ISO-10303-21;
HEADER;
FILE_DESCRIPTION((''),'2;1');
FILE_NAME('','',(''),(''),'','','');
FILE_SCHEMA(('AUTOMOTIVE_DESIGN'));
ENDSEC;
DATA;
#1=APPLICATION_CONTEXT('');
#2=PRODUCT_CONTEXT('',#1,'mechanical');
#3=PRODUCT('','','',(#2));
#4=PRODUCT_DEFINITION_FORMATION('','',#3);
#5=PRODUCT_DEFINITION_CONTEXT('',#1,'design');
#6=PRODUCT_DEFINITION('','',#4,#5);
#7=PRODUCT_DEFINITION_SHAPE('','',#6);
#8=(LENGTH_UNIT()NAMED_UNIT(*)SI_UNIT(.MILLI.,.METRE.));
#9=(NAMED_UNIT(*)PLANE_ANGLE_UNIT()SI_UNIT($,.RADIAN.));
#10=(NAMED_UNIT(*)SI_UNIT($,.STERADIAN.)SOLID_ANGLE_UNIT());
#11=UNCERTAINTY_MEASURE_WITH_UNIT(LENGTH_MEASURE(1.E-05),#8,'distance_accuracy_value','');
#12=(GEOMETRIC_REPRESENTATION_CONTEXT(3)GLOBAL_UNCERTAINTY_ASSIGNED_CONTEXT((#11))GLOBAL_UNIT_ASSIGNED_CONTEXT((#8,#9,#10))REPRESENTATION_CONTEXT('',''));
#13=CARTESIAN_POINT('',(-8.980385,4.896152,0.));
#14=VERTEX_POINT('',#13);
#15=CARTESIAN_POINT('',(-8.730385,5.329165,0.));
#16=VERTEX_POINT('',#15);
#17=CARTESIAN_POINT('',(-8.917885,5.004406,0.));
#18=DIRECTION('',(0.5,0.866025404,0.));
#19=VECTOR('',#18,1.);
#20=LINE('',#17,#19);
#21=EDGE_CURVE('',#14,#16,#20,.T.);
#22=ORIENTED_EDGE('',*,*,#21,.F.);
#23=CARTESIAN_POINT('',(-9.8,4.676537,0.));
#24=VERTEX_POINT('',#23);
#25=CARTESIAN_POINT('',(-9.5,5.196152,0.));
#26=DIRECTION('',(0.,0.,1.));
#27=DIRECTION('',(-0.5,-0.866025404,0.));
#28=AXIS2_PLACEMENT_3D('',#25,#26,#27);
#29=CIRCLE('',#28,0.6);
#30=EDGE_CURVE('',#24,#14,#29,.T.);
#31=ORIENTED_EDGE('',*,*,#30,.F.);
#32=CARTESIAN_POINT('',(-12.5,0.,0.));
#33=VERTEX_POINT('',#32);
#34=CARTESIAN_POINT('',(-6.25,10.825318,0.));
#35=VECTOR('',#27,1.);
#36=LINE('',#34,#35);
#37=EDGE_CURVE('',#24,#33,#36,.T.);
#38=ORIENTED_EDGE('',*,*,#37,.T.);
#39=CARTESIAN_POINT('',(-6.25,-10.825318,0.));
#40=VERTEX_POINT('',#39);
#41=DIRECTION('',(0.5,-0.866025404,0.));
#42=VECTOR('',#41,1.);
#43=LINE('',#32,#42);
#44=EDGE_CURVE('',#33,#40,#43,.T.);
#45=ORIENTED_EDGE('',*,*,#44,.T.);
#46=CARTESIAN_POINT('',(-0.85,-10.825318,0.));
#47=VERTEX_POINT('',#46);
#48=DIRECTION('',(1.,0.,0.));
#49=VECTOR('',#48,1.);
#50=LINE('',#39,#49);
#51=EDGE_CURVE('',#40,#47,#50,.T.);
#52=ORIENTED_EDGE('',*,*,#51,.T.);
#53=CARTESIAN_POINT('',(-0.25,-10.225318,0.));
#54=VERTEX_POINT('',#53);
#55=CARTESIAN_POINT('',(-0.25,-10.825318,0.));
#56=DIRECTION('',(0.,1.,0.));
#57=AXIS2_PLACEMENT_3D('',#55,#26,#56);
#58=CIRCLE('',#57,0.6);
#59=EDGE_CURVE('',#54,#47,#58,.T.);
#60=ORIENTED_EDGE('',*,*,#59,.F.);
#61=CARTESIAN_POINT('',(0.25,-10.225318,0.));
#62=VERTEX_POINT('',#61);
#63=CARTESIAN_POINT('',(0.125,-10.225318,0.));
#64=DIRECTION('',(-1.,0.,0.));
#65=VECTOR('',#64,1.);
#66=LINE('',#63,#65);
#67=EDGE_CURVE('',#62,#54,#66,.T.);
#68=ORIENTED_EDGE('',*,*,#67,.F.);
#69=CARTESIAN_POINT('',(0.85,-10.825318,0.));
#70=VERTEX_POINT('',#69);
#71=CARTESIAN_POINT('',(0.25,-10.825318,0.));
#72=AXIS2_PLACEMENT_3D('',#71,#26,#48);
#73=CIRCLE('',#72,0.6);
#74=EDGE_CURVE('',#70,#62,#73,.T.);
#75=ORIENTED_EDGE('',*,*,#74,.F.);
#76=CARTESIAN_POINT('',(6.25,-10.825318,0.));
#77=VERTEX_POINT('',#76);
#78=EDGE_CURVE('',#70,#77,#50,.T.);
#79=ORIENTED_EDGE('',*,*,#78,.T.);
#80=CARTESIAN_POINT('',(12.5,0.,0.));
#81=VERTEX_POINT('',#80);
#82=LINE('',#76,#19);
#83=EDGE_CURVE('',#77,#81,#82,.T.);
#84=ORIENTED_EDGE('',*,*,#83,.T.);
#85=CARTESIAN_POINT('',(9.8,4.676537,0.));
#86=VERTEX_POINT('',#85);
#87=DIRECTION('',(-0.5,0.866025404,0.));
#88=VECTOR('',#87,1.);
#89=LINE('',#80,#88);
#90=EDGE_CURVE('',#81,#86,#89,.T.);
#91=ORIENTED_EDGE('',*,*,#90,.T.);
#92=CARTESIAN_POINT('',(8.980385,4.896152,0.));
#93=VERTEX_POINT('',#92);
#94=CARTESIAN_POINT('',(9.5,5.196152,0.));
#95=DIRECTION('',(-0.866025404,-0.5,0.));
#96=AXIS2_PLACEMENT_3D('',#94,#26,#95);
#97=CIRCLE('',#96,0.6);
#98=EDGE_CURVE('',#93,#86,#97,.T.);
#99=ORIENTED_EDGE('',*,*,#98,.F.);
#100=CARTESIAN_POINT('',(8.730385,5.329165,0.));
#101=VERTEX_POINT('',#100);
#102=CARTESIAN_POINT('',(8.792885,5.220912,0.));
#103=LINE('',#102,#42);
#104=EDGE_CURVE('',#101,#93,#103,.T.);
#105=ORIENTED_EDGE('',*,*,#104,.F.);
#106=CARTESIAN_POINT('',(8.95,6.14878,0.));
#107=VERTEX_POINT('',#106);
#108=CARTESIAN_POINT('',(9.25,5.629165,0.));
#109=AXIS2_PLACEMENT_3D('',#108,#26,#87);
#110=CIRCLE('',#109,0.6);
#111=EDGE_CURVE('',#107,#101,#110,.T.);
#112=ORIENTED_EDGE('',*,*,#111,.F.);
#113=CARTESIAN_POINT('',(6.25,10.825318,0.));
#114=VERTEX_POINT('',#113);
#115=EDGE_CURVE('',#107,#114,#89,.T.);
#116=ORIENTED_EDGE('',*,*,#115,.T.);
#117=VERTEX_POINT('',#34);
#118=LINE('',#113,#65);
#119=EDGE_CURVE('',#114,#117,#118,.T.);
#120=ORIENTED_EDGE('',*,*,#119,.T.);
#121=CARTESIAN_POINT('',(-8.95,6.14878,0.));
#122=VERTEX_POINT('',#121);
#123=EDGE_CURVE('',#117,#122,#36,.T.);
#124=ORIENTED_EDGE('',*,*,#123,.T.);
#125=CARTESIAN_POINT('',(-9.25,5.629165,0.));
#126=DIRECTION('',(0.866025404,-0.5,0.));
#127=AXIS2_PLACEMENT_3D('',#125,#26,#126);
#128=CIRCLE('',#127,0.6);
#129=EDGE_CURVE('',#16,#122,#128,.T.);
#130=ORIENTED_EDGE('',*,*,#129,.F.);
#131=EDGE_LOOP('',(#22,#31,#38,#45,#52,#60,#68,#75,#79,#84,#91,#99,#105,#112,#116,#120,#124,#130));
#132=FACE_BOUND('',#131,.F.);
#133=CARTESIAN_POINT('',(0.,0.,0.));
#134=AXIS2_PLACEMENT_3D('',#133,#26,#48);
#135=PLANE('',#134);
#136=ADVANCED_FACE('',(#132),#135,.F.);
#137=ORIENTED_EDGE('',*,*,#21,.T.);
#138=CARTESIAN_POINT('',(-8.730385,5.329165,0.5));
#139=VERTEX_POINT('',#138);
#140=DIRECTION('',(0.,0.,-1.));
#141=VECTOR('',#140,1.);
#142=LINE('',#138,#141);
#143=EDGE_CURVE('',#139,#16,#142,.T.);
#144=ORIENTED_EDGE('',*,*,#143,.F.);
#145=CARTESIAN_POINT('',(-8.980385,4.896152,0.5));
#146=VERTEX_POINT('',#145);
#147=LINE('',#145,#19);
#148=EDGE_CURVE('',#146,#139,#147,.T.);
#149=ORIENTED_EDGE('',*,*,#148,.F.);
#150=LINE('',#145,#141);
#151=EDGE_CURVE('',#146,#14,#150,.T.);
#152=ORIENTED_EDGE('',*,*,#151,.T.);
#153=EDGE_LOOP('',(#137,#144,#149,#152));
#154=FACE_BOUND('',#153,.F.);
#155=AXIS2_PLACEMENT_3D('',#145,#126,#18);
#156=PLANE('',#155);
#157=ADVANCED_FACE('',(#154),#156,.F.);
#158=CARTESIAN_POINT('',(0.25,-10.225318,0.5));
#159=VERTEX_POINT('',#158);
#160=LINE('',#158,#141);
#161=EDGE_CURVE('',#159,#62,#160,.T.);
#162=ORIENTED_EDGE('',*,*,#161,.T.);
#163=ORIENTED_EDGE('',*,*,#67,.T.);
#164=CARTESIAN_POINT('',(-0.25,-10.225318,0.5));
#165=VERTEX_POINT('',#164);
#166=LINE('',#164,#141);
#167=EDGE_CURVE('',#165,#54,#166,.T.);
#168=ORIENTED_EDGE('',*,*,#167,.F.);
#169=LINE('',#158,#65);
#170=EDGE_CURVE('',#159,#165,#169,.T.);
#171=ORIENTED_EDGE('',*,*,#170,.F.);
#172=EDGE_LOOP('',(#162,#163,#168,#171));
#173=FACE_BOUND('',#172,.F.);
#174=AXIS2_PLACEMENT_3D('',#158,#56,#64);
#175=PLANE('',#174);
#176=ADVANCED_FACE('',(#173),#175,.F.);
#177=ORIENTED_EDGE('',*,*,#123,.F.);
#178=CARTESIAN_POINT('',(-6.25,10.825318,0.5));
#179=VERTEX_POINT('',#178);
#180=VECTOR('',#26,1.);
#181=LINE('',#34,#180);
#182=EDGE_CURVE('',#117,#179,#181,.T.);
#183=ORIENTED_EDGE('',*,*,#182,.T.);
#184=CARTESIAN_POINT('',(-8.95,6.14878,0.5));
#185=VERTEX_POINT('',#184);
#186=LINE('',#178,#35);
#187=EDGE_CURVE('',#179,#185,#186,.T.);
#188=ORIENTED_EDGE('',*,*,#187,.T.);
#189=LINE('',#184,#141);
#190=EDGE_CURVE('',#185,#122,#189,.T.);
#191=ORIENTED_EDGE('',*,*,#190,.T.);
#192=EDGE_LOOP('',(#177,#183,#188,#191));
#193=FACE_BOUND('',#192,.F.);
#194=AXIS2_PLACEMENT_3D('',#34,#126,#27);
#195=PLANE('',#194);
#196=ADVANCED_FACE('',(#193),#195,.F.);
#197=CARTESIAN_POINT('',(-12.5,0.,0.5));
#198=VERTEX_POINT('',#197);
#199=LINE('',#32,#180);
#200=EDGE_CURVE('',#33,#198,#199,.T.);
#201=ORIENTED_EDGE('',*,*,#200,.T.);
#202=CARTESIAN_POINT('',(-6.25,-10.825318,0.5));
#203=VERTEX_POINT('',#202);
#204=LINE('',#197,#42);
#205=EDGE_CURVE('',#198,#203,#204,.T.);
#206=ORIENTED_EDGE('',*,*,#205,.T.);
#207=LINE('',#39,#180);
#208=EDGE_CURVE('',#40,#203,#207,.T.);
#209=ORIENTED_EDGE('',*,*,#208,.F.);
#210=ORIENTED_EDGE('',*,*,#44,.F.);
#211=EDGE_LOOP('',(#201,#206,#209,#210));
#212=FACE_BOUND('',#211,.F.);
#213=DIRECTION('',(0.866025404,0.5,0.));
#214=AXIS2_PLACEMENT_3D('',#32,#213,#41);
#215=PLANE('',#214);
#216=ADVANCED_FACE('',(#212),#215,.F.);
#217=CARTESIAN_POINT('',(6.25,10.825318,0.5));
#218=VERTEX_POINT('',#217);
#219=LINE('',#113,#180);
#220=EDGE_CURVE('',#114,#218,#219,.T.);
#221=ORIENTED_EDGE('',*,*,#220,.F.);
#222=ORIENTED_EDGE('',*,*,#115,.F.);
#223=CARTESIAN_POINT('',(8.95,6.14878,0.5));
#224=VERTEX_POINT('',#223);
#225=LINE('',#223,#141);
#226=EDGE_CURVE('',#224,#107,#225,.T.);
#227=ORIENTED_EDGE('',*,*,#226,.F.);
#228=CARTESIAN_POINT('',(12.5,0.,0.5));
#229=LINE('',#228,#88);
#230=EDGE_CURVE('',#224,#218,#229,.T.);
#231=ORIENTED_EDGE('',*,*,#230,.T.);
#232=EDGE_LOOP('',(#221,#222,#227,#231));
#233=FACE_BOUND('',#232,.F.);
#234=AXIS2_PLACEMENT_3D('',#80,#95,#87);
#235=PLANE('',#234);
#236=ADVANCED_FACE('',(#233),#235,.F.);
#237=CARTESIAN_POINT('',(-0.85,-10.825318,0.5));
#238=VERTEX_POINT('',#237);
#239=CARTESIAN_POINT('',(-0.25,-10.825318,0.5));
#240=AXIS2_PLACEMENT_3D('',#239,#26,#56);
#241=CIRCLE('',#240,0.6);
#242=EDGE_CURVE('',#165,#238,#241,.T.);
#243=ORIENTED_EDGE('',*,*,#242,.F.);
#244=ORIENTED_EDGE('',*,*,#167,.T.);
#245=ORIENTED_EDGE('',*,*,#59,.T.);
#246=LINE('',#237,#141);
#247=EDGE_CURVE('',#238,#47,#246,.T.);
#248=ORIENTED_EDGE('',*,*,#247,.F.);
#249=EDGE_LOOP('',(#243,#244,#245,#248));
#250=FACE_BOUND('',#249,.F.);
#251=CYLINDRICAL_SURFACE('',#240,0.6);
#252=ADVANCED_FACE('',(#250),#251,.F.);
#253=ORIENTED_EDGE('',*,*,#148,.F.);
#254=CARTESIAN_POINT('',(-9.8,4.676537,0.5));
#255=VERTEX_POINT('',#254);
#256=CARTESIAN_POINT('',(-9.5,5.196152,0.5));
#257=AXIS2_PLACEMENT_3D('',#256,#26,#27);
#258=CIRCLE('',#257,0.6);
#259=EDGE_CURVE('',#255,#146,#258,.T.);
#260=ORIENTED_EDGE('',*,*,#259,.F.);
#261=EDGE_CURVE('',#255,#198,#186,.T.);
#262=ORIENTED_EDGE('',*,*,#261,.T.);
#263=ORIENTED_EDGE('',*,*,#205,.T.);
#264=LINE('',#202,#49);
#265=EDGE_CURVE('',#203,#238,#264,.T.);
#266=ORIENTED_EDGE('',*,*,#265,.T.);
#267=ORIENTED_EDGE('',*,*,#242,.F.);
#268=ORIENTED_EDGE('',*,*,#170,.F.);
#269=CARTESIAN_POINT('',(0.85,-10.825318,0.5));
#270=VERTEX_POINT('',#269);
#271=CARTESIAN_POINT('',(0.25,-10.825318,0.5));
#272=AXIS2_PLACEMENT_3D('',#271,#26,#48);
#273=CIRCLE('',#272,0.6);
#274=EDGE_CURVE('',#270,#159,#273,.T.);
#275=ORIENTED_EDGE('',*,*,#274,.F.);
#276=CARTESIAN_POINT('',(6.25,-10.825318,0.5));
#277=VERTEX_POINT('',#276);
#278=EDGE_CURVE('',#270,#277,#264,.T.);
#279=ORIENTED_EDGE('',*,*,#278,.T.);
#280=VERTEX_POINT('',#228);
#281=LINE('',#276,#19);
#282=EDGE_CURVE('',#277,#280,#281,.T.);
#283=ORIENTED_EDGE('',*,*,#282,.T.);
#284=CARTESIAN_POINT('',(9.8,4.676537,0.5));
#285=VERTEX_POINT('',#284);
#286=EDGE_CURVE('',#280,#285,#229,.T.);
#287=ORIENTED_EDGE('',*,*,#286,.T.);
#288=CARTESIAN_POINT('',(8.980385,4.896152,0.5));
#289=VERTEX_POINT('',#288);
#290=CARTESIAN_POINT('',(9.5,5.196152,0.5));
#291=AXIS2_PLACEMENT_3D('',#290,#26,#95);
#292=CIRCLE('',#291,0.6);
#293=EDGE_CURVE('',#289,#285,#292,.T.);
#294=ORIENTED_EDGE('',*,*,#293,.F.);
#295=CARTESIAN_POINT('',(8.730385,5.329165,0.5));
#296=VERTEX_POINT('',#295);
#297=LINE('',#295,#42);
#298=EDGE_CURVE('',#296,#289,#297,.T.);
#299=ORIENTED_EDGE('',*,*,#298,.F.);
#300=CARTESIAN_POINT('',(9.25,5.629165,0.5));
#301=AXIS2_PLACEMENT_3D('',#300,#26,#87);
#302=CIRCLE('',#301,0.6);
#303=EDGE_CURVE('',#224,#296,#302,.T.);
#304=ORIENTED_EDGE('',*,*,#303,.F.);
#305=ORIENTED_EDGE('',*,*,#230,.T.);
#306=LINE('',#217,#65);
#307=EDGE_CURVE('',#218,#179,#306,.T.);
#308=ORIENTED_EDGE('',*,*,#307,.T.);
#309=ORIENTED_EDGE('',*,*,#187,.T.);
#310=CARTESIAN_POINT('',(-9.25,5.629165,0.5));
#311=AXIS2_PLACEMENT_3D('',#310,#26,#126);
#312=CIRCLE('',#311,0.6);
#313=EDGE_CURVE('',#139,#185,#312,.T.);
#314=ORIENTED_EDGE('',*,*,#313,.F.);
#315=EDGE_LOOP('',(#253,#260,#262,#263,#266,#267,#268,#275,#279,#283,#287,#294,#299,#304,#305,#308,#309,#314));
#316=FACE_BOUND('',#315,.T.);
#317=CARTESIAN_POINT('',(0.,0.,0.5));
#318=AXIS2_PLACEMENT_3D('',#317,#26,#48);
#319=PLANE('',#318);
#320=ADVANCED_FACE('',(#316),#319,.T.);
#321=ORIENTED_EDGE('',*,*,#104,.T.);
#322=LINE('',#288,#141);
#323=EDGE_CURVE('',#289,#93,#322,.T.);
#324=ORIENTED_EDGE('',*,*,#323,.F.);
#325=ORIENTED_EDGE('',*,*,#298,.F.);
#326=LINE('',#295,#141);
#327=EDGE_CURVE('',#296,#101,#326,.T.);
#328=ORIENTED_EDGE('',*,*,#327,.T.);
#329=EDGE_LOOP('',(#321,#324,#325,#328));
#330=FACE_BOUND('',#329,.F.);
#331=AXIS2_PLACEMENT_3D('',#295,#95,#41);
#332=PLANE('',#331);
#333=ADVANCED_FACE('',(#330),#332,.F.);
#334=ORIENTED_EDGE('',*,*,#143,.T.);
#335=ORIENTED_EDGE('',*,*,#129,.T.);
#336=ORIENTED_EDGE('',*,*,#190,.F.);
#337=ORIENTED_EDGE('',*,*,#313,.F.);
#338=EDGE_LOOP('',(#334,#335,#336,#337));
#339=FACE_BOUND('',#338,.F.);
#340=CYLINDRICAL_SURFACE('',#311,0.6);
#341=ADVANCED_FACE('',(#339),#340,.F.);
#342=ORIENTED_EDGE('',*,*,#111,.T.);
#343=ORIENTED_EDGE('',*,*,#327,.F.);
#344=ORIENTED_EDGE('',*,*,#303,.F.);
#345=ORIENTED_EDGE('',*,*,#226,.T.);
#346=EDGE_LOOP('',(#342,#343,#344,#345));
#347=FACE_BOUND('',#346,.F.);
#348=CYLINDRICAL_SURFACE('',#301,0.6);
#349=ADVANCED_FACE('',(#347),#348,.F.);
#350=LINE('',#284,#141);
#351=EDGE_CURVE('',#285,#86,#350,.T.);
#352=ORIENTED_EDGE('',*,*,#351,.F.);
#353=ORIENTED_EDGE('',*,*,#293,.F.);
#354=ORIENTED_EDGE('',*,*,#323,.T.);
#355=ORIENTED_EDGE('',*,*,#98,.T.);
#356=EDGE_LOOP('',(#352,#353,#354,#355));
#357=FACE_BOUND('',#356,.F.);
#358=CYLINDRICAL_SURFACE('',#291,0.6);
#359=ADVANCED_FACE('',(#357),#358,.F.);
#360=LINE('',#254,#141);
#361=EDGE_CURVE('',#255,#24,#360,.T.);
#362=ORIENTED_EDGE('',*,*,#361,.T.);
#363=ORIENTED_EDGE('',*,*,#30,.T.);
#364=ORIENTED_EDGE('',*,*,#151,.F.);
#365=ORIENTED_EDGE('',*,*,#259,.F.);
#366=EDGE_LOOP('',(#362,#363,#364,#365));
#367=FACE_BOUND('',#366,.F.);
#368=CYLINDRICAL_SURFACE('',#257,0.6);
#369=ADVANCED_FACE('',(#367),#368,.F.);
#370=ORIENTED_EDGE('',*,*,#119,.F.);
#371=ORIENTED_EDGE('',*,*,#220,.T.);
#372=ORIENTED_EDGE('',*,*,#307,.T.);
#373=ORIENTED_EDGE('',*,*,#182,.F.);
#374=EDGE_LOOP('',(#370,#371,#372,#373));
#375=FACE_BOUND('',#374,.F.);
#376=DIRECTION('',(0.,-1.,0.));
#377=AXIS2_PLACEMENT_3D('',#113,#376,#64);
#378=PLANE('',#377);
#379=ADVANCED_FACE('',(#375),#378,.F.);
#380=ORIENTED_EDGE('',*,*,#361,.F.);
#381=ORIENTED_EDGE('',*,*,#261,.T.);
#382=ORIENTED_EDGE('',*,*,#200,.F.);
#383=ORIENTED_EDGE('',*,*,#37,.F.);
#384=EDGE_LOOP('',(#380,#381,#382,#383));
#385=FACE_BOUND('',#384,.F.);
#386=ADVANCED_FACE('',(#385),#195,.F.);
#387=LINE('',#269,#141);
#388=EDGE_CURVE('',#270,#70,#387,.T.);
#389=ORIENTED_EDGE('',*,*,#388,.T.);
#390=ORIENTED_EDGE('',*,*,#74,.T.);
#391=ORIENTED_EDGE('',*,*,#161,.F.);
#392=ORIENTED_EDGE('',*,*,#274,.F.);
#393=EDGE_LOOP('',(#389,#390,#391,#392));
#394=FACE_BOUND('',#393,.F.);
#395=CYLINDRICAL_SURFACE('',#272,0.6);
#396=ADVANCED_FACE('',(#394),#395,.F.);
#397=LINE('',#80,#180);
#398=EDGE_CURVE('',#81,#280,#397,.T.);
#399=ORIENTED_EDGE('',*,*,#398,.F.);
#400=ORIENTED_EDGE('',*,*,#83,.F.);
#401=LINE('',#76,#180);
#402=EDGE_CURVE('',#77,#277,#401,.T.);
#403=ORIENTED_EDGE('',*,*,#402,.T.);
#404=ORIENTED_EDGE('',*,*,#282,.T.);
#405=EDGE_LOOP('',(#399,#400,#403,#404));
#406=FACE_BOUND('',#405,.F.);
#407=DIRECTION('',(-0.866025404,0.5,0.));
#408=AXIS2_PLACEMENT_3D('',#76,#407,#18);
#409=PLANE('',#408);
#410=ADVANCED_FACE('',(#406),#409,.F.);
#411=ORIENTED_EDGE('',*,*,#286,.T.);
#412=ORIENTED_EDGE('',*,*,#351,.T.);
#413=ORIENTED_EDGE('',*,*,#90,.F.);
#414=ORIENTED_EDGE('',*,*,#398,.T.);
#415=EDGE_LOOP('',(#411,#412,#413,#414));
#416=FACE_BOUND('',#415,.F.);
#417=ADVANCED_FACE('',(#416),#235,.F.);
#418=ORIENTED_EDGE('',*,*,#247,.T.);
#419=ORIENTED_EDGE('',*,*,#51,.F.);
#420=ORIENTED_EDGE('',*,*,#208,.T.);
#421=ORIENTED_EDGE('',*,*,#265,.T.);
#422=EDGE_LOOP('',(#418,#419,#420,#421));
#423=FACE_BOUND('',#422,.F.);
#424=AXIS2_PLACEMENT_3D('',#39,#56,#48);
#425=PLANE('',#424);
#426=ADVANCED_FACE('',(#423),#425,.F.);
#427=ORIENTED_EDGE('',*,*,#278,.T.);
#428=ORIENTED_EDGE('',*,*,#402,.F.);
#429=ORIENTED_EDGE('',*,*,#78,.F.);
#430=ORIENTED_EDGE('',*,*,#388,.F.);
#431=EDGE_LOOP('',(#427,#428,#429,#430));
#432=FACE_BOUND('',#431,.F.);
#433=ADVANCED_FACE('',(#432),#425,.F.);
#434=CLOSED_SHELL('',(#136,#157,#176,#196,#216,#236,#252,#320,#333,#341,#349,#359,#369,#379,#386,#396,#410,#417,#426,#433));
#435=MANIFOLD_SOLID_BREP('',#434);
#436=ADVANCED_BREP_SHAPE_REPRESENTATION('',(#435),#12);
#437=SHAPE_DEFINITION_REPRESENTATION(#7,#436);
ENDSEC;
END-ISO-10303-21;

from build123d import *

# Parameters (mm, degrees)
F1_DEPTH = 0.5
F3_DEPTH = 0.501


with BuildPart() as f1:
    # F0 (on Top) → F1 (new body)
    with BuildSketch(Plane.XY):
        Polygon((6.25, -10.8253175473), (12.5, 0), (6.25, 10.8253175473), (-6.25, 10.8253175473), (-12.5, 0), (-6.25, -10.8253175473), align=None)
    extrude(amount=F1_DEPTH)

    # F2 (on face) → F3 (cut, through all)
    with BuildSketch(Plane.XY.offset(0.5)):
        with BuildLine():
            ThreePointArc((0.85, -10.8253175473), (0.6742640687, -10.4010534786), (0.25, -10.2253175473))
            Line((0.25, -10.2253175473), (-0.25, -10.2253175473))
            ThreePointArc((-0.25, -10.2253175473), (-0.6742640687, -10.4010534786), (-0.85, -10.8253175473))
            Line((-0.85, -10.8253175473), (0.85, -10.8253175473))
        make_face()
        with BuildLine():
            Line((8.7303847577, 5.3291651246), (8.9803847577, 4.8961524227))
            ThreePointArc((8.9803847577, 4.8961524227), (9.3447085729, 4.6165969269), (9.8, 4.6765371804))
            Line((9.8, 4.6765371804), (8.95, 6.1487803669))
            ThreePointArc((8.95, 6.1487803669), (8.6704445042, 5.7844565517), (8.7303847577, 5.3291651246))
        make_face()
        with BuildLine():
            Line((-8.9803847577, 4.8961524227), (-8.7303847577, 5.3291651246))
            ThreePointArc((-8.7303847577, 5.3291651246), (-8.6704445042, 5.7844565517), (-8.95, 6.1487803669))
            Line((-8.95, 6.1487803669), (-9.8, 4.6765371804))
            ThreePointArc((-9.8, 4.6765371804), (-9.3447085729, 4.6165969269), (-8.9803847577, 4.8961524227))
        make_face()
    extrude(amount=-F3_DEPTH, mode=Mode.SUBTRACT)


solid = f1.part
